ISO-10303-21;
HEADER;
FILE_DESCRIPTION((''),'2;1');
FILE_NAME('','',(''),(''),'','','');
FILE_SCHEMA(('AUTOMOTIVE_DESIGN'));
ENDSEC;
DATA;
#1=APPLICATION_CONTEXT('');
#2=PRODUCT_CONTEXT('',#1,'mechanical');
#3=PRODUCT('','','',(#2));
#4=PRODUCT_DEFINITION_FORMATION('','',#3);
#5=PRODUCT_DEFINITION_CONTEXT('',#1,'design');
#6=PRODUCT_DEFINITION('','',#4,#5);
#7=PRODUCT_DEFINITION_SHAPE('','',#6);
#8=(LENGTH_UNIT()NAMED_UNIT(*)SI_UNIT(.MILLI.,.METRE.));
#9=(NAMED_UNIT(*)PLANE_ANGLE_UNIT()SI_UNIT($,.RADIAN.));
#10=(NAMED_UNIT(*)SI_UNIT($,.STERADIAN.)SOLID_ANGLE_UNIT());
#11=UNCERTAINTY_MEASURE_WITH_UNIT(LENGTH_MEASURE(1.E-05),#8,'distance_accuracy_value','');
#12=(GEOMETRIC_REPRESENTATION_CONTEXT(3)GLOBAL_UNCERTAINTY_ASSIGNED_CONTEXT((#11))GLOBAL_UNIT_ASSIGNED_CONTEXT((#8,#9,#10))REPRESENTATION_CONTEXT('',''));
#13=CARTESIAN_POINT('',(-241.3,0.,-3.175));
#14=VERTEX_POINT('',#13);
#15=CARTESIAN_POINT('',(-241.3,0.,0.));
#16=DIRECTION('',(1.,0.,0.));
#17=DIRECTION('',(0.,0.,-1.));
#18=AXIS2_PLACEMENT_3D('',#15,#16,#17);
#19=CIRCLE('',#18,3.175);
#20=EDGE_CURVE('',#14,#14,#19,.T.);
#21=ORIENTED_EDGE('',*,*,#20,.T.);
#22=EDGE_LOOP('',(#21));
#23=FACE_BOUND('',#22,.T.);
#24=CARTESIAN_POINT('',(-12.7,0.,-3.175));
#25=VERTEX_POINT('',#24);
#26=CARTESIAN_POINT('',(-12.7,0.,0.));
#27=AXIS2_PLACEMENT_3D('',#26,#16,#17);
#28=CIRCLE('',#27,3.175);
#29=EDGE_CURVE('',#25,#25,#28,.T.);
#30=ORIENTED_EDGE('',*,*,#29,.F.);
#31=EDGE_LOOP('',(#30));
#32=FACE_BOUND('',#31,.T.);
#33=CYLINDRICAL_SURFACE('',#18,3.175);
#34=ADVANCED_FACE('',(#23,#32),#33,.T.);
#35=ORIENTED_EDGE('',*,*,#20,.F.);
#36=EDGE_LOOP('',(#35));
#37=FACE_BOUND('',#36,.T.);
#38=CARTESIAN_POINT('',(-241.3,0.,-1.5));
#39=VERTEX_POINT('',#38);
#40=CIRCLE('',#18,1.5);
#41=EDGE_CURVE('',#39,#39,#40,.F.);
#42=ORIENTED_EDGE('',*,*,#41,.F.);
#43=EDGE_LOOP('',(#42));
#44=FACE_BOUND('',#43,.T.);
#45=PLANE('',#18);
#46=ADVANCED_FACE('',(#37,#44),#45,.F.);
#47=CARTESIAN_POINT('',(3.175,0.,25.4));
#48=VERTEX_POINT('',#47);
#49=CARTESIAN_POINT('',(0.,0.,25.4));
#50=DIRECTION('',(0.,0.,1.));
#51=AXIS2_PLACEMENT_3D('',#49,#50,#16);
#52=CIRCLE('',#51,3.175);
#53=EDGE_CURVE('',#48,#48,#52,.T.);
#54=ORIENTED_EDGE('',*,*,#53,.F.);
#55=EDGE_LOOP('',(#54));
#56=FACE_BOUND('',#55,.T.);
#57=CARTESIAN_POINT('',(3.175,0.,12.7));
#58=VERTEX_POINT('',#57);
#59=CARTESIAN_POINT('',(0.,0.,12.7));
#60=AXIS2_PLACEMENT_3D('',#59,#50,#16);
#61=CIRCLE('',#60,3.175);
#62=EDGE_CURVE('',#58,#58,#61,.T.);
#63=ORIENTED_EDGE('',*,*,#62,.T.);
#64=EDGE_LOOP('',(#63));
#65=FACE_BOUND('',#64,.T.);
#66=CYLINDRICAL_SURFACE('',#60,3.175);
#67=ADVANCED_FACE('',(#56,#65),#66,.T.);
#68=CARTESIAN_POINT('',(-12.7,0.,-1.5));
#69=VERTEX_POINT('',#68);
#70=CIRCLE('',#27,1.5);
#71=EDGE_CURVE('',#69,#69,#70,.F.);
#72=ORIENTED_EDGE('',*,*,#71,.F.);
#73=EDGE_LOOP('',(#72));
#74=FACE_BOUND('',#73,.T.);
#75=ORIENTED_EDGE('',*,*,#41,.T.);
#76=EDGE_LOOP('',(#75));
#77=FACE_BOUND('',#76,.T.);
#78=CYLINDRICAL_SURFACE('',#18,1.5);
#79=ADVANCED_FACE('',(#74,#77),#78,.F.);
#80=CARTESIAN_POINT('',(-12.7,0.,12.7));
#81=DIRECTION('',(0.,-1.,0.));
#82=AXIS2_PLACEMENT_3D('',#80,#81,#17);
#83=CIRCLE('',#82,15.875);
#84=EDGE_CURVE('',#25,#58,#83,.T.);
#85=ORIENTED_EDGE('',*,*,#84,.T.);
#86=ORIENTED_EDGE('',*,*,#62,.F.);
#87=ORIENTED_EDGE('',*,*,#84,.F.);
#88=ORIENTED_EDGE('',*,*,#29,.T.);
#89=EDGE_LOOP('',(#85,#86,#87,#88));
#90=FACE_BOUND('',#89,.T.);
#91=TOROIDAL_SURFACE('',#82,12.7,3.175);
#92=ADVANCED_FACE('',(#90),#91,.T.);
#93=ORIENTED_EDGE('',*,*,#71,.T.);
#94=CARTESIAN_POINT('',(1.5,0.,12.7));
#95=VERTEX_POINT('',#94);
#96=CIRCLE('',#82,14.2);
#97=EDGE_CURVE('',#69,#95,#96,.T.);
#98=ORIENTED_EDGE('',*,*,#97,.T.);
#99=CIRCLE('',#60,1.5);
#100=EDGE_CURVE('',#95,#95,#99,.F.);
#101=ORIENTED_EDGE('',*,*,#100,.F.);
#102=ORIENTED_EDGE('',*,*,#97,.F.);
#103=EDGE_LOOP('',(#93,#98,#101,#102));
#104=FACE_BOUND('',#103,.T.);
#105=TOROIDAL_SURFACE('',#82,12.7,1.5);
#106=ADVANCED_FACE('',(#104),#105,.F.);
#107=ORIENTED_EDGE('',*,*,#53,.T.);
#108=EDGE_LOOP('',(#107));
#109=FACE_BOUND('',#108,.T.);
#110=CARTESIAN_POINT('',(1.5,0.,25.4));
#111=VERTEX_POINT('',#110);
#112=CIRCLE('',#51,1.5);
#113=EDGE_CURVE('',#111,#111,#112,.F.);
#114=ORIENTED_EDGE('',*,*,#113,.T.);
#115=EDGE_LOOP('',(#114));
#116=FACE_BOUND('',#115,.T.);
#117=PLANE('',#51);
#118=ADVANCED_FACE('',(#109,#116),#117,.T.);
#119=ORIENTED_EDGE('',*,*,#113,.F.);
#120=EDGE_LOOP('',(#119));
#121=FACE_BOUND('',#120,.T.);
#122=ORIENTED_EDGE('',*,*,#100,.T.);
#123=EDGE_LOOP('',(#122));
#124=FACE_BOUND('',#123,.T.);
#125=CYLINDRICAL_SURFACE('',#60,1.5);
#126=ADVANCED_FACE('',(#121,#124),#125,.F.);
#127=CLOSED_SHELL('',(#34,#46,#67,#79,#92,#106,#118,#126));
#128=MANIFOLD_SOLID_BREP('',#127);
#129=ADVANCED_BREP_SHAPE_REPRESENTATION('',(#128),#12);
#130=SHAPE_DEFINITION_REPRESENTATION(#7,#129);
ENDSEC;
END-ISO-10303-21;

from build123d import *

# Parameters (mm, degrees)
SKETCH2_R   = 3.175
SKETCH2_R_2 = 1.5


with BuildPart() as part:
    # Sweep1: sweep along a path in Sketch1
    with BuildLine(Plane(origin=(0, 0, 0), x_dir=(1, 0, 0), z_dir=(0, 1, 0))) as sweep1_path:
        Line((-241.3, 0), (-12.7, 0))
        ThreePointArc((-12.7, 0), (-3.719743879, -3.719743879), (0, -12.7))
        Line((0, -12.7), (0, -25.4))
    # Sketch2 → Sweep1 (sweep)
    with BuildSketch(Plane(origin=(-241.3, 0, 0), x_dir=(0, 0, -1), z_dir=(1, 0, 0))):
        Circle(SKETCH2_R)
        Circle(SKETCH2_R_2, mode=Mode.SUBTRACT)
    sweep(path=sweep1_path.line)


solid = part.part
